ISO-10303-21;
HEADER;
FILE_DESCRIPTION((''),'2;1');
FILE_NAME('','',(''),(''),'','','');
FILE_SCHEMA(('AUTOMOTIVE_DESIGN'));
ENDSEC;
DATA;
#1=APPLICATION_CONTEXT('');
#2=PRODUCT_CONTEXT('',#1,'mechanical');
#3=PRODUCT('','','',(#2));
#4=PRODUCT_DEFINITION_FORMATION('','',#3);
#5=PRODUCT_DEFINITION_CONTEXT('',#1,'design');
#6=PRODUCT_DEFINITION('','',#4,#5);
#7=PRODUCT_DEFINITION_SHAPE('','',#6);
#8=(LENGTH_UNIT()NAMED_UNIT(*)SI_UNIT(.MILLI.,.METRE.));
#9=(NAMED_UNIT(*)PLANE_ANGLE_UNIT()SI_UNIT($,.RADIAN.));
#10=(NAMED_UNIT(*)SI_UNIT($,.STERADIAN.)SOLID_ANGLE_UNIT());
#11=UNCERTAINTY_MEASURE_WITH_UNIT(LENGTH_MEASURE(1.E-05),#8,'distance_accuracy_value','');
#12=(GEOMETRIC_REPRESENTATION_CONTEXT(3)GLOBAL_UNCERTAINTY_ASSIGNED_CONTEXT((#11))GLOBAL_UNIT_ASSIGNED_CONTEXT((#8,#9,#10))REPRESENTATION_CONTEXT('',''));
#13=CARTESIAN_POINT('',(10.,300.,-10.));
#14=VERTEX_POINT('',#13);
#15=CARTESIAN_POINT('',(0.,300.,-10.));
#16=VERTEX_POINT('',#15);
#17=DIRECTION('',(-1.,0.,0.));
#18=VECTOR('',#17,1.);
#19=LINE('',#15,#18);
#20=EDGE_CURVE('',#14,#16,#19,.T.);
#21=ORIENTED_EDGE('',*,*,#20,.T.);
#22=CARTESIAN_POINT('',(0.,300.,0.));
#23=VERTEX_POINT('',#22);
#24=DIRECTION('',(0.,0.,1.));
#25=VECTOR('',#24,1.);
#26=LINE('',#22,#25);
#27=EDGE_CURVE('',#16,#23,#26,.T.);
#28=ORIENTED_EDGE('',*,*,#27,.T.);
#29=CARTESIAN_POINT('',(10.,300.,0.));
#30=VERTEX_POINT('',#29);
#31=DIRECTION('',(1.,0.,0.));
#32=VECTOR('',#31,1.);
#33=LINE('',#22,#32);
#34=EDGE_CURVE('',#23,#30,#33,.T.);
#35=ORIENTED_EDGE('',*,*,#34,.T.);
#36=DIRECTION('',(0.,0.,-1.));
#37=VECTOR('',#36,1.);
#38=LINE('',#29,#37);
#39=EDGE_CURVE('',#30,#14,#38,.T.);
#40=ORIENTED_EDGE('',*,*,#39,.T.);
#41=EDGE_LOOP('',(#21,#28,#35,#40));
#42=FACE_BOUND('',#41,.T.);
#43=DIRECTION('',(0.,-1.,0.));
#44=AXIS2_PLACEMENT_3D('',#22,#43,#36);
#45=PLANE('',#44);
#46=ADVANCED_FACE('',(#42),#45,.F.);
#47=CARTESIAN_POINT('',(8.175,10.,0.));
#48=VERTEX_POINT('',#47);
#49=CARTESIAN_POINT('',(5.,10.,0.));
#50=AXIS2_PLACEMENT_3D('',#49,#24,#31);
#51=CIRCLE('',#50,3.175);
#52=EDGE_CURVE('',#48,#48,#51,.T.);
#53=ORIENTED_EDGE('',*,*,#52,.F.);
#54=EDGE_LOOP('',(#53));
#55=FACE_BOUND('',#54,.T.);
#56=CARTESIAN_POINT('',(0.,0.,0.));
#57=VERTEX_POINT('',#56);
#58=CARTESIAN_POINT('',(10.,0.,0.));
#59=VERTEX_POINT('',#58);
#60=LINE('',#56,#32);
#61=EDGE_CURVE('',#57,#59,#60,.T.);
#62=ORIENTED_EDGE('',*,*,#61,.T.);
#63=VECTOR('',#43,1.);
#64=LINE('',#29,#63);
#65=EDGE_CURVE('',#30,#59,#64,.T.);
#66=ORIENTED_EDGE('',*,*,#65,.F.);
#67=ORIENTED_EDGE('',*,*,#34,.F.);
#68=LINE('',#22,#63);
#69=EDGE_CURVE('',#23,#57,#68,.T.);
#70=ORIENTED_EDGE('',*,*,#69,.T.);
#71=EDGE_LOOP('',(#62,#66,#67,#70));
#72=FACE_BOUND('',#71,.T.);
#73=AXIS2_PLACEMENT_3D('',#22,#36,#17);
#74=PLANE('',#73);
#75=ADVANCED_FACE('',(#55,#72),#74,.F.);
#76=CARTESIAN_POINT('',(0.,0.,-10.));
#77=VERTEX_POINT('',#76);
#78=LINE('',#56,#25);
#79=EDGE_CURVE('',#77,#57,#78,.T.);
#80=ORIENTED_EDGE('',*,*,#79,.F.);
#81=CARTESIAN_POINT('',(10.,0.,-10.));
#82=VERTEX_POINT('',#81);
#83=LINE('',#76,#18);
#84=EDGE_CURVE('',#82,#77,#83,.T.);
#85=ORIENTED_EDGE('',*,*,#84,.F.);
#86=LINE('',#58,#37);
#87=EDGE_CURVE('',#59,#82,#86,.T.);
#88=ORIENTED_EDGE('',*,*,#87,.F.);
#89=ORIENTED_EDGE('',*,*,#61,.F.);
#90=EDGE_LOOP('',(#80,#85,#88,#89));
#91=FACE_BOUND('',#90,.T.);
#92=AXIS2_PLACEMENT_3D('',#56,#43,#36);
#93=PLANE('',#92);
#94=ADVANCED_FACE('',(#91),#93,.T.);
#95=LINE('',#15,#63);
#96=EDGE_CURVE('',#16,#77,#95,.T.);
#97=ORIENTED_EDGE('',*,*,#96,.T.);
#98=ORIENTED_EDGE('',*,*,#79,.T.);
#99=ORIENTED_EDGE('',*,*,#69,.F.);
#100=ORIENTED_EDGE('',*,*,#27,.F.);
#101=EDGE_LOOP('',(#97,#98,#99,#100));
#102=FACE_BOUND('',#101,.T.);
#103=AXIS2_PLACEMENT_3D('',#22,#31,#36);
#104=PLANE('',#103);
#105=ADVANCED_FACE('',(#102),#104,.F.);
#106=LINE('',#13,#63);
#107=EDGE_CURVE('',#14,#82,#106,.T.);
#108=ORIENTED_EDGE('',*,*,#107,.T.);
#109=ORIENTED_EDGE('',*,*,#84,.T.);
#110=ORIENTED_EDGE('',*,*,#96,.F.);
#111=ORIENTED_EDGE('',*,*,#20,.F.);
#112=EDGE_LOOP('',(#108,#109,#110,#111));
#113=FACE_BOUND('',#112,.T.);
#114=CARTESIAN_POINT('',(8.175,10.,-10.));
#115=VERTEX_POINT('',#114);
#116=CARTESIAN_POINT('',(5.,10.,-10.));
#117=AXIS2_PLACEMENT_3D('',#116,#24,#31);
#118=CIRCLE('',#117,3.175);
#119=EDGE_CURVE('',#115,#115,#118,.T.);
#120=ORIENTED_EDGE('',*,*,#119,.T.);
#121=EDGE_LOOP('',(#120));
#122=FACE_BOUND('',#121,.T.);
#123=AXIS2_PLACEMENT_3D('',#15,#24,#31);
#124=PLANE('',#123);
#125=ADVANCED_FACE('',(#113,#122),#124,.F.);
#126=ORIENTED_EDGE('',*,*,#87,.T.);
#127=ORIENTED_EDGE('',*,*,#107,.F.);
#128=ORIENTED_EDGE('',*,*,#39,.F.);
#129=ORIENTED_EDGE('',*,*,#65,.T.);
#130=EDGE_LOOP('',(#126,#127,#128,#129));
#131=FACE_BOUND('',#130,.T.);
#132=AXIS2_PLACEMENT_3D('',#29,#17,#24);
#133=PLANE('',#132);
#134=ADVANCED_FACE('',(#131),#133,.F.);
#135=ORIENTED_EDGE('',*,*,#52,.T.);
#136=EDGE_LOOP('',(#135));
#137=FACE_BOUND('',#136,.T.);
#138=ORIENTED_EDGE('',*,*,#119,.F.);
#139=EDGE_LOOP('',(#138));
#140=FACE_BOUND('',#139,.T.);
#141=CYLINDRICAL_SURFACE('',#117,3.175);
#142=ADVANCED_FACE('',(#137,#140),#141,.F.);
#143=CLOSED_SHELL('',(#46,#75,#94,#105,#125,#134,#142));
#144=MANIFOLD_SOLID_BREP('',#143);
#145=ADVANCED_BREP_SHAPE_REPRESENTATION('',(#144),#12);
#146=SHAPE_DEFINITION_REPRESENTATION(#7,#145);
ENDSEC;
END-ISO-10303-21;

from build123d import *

# Parameters (mm, degrees)
SKETCH1_W           = 10
SKETCH1_H           = 10
BOSS_EXTRUDE1_DEPTH = 300
SKETCH2_R           = 3.175
CUT_EXTRUDE1_DEPTH  = 301.333148354


with BuildPart() as part:
    # Sketch1 → Boss-Extrude1 (new body)
    with BuildSketch(Plane(origin=(0, 0, 0), x_dir=(1, 0, 0), z_dir=(0, 1, 0))):
        with Locations((5, 5)):
            Rectangle(SKETCH1_W, SKETCH1_H)
    extrude(amount=BOSS_EXTRUDE1_DEPTH)

    # Sketch2 → Cut-Extrude1 (cut, through all)
    with BuildSketch(Plane.XY):
        with Locations((5, 10)):
            Circle(SKETCH2_R)
    extrude(amount=-CUT_EXTRUDE1_DEPTH, mode=Mode.SUBTRACT)


solid = part.part
